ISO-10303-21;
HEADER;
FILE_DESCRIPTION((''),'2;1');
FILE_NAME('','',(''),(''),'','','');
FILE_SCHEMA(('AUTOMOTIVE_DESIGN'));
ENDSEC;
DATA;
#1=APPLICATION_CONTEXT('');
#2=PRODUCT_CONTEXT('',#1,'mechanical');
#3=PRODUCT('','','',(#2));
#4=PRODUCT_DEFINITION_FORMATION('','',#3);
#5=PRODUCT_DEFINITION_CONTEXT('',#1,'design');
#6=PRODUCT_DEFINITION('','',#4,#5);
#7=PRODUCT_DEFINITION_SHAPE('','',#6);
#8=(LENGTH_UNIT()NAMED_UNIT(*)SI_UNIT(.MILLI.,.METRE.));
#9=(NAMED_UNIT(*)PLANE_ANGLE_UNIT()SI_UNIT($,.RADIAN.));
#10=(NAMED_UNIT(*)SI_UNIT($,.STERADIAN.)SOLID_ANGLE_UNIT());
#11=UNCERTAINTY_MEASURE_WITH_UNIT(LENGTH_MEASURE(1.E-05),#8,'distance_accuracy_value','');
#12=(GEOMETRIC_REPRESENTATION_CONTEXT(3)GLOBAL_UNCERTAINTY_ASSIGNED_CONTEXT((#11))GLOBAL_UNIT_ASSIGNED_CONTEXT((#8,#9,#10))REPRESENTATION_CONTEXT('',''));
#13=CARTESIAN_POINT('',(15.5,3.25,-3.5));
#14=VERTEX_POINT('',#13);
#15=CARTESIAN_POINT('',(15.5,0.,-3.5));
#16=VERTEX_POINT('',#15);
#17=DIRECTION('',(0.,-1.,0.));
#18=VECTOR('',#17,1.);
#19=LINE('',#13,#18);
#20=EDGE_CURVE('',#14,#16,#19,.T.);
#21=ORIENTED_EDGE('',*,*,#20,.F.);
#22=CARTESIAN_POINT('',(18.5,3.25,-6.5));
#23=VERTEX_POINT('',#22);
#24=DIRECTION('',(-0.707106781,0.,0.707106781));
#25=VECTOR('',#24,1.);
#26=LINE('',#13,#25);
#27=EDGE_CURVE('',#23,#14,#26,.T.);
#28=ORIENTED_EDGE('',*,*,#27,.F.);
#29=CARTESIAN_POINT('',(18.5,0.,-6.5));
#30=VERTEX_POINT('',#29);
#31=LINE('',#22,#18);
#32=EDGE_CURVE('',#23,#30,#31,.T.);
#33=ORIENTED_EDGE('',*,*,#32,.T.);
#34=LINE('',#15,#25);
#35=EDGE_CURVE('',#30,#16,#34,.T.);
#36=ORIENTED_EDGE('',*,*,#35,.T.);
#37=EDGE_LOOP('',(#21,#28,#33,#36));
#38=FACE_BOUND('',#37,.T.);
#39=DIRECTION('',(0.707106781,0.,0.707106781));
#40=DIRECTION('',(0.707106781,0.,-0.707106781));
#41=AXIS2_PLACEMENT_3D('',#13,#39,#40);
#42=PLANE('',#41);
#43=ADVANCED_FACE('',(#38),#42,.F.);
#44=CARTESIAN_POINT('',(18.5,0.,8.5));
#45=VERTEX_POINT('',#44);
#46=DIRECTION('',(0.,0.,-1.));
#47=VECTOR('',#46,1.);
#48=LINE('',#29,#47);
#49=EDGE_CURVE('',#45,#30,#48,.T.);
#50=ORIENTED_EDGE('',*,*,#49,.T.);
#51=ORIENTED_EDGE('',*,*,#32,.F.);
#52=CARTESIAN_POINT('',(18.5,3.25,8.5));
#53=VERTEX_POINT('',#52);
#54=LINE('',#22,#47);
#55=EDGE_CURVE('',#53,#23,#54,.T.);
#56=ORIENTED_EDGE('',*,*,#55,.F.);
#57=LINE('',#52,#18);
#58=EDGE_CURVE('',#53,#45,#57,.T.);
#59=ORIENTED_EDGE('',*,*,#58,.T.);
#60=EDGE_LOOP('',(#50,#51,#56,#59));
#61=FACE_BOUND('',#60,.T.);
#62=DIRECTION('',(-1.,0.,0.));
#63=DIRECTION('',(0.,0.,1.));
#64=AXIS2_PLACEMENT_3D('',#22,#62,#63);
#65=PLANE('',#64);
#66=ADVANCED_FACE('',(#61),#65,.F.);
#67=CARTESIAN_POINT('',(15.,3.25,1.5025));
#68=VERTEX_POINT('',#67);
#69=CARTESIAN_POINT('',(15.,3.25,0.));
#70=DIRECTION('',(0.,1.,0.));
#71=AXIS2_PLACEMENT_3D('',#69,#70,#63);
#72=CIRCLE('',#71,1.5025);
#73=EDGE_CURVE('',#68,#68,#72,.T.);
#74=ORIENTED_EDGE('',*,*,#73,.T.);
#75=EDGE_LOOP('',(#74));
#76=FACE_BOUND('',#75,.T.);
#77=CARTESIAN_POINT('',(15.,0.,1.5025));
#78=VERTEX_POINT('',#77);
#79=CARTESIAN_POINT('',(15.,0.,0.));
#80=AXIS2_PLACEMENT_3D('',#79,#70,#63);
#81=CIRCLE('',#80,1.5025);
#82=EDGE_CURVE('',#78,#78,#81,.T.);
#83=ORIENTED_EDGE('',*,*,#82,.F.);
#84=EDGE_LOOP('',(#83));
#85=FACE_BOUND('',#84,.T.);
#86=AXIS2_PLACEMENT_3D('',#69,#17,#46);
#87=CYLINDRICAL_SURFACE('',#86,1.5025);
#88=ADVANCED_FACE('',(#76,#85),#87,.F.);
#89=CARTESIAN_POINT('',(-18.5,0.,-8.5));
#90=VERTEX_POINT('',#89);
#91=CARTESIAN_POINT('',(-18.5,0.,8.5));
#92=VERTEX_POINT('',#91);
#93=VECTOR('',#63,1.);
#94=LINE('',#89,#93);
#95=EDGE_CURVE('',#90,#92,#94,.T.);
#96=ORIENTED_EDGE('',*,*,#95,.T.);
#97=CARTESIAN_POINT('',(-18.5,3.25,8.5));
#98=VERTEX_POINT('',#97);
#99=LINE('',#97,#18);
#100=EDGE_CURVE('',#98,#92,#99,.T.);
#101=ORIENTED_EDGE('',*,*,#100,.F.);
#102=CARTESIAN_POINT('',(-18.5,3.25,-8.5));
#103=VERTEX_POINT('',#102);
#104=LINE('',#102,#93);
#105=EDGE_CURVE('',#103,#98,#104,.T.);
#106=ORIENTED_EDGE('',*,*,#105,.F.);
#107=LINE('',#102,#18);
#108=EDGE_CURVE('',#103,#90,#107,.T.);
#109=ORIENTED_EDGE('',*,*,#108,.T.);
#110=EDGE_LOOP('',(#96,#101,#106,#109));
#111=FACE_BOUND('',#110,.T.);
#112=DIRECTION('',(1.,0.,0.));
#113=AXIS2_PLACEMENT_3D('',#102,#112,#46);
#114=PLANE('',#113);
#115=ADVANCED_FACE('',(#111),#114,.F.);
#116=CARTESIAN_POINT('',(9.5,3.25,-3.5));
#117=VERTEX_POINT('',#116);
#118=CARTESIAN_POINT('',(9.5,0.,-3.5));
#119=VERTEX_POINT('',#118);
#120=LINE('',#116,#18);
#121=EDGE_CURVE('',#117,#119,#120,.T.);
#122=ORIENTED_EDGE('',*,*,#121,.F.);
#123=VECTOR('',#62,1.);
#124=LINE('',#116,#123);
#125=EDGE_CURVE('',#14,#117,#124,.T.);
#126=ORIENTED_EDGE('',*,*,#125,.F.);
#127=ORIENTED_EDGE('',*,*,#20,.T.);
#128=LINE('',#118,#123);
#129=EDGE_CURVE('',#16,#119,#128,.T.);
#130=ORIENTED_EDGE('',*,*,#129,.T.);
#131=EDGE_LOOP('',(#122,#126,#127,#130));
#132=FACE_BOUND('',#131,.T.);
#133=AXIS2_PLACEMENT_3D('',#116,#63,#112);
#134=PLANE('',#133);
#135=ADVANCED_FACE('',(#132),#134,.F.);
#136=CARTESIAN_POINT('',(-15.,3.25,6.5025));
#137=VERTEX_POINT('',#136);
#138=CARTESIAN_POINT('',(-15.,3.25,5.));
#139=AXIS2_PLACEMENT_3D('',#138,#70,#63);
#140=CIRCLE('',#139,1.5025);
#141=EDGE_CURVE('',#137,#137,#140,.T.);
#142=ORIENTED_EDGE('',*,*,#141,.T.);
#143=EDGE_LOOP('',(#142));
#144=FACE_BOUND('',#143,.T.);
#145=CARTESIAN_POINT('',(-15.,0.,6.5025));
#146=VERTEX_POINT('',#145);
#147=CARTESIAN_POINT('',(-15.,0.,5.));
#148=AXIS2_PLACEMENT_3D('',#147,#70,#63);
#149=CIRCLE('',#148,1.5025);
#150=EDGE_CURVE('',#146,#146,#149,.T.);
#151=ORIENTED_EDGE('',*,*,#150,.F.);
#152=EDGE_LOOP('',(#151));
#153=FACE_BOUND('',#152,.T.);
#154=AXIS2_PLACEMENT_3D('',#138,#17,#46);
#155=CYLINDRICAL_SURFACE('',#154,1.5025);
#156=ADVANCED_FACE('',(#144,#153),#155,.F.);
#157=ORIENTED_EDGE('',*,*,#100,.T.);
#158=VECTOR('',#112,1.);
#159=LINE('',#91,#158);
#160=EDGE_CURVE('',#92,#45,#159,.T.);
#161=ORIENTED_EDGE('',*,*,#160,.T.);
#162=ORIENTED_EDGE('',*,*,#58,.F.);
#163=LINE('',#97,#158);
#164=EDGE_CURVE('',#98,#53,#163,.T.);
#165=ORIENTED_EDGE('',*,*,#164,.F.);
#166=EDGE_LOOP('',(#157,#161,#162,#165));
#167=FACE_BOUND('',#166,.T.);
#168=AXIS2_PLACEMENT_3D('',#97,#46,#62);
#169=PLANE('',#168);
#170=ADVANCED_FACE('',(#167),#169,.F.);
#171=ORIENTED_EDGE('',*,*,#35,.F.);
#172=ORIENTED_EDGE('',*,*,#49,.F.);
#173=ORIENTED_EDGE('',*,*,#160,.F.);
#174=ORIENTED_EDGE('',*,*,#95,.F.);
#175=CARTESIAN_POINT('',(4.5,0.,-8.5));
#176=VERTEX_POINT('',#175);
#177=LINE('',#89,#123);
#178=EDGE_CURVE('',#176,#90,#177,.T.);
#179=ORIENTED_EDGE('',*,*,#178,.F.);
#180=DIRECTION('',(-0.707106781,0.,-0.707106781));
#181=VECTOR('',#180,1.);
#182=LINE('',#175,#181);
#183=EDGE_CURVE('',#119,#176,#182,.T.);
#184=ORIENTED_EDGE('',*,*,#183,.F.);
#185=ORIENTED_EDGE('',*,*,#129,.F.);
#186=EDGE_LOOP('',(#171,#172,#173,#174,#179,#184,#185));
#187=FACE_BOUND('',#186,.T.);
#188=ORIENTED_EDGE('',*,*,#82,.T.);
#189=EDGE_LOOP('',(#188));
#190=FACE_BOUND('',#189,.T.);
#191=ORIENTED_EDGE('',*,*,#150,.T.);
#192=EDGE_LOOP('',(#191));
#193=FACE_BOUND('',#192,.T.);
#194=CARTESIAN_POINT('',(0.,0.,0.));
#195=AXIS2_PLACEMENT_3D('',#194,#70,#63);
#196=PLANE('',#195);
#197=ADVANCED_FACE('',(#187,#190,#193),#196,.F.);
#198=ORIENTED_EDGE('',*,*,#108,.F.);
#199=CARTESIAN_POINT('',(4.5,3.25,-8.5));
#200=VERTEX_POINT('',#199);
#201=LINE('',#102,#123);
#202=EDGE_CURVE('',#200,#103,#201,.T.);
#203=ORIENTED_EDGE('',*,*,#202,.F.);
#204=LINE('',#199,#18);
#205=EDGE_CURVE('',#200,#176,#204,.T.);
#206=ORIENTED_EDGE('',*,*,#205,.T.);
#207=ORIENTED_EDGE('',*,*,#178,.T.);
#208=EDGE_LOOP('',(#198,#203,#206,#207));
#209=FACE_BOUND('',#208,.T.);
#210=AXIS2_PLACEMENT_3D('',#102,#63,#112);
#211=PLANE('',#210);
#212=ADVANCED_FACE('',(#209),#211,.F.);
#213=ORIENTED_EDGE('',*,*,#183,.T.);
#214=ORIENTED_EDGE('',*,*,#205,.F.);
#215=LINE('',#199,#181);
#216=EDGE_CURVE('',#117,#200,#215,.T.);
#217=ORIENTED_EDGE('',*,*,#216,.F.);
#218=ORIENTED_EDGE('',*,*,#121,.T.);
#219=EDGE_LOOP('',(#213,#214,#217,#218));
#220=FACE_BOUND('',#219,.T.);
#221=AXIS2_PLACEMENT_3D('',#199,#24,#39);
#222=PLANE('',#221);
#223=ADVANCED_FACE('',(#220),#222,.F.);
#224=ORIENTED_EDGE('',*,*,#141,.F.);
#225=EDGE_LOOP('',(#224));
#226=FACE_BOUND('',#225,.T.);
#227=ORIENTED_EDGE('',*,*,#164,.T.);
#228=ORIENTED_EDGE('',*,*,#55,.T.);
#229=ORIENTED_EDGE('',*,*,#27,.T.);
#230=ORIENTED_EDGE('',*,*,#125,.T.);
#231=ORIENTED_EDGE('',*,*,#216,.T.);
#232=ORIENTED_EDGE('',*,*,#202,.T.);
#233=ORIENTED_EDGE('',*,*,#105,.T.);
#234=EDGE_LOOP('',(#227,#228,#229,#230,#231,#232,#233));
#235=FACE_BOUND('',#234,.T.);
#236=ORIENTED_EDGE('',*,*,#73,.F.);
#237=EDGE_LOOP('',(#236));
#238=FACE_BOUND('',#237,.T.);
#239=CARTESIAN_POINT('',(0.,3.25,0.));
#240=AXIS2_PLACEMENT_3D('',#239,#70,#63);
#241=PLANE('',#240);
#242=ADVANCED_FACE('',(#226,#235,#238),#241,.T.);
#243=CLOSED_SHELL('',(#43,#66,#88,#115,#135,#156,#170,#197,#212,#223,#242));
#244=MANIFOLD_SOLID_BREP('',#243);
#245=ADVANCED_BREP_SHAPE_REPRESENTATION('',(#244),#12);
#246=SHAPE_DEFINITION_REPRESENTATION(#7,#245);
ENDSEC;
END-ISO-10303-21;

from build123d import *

# Parameters (mm, degrees)
SKETCH1_R           = 1.5025
BOSS_EXTRUDE1_DEPTH = 3.25


with BuildPart() as part:
    # Sketch1 → Boss-Extrude1 (new body)
    with BuildSketch(Plane(origin=(0, 0, 0), x_dir=(1, 0, 0), z_dir=(0, 1, 0))):
        Polygon((-18.5, 8.5), (4.5, 8.5), (9.5, 3.5), (15.5, 3.5), (18.5, 6.5), (18.5, -8.5), (-18.5, -8.5), align=None)
        with Locations((-15, -5)):
            Circle(SKETCH1_R, mode=Mode.SUBTRACT)
        with Locations((15, 0)):
            Circle(SKETCH1_R, mode=Mode.SUBTRACT)
    extrude(amount=BOSS_EXTRUDE1_DEPTH)


solid = part.part
